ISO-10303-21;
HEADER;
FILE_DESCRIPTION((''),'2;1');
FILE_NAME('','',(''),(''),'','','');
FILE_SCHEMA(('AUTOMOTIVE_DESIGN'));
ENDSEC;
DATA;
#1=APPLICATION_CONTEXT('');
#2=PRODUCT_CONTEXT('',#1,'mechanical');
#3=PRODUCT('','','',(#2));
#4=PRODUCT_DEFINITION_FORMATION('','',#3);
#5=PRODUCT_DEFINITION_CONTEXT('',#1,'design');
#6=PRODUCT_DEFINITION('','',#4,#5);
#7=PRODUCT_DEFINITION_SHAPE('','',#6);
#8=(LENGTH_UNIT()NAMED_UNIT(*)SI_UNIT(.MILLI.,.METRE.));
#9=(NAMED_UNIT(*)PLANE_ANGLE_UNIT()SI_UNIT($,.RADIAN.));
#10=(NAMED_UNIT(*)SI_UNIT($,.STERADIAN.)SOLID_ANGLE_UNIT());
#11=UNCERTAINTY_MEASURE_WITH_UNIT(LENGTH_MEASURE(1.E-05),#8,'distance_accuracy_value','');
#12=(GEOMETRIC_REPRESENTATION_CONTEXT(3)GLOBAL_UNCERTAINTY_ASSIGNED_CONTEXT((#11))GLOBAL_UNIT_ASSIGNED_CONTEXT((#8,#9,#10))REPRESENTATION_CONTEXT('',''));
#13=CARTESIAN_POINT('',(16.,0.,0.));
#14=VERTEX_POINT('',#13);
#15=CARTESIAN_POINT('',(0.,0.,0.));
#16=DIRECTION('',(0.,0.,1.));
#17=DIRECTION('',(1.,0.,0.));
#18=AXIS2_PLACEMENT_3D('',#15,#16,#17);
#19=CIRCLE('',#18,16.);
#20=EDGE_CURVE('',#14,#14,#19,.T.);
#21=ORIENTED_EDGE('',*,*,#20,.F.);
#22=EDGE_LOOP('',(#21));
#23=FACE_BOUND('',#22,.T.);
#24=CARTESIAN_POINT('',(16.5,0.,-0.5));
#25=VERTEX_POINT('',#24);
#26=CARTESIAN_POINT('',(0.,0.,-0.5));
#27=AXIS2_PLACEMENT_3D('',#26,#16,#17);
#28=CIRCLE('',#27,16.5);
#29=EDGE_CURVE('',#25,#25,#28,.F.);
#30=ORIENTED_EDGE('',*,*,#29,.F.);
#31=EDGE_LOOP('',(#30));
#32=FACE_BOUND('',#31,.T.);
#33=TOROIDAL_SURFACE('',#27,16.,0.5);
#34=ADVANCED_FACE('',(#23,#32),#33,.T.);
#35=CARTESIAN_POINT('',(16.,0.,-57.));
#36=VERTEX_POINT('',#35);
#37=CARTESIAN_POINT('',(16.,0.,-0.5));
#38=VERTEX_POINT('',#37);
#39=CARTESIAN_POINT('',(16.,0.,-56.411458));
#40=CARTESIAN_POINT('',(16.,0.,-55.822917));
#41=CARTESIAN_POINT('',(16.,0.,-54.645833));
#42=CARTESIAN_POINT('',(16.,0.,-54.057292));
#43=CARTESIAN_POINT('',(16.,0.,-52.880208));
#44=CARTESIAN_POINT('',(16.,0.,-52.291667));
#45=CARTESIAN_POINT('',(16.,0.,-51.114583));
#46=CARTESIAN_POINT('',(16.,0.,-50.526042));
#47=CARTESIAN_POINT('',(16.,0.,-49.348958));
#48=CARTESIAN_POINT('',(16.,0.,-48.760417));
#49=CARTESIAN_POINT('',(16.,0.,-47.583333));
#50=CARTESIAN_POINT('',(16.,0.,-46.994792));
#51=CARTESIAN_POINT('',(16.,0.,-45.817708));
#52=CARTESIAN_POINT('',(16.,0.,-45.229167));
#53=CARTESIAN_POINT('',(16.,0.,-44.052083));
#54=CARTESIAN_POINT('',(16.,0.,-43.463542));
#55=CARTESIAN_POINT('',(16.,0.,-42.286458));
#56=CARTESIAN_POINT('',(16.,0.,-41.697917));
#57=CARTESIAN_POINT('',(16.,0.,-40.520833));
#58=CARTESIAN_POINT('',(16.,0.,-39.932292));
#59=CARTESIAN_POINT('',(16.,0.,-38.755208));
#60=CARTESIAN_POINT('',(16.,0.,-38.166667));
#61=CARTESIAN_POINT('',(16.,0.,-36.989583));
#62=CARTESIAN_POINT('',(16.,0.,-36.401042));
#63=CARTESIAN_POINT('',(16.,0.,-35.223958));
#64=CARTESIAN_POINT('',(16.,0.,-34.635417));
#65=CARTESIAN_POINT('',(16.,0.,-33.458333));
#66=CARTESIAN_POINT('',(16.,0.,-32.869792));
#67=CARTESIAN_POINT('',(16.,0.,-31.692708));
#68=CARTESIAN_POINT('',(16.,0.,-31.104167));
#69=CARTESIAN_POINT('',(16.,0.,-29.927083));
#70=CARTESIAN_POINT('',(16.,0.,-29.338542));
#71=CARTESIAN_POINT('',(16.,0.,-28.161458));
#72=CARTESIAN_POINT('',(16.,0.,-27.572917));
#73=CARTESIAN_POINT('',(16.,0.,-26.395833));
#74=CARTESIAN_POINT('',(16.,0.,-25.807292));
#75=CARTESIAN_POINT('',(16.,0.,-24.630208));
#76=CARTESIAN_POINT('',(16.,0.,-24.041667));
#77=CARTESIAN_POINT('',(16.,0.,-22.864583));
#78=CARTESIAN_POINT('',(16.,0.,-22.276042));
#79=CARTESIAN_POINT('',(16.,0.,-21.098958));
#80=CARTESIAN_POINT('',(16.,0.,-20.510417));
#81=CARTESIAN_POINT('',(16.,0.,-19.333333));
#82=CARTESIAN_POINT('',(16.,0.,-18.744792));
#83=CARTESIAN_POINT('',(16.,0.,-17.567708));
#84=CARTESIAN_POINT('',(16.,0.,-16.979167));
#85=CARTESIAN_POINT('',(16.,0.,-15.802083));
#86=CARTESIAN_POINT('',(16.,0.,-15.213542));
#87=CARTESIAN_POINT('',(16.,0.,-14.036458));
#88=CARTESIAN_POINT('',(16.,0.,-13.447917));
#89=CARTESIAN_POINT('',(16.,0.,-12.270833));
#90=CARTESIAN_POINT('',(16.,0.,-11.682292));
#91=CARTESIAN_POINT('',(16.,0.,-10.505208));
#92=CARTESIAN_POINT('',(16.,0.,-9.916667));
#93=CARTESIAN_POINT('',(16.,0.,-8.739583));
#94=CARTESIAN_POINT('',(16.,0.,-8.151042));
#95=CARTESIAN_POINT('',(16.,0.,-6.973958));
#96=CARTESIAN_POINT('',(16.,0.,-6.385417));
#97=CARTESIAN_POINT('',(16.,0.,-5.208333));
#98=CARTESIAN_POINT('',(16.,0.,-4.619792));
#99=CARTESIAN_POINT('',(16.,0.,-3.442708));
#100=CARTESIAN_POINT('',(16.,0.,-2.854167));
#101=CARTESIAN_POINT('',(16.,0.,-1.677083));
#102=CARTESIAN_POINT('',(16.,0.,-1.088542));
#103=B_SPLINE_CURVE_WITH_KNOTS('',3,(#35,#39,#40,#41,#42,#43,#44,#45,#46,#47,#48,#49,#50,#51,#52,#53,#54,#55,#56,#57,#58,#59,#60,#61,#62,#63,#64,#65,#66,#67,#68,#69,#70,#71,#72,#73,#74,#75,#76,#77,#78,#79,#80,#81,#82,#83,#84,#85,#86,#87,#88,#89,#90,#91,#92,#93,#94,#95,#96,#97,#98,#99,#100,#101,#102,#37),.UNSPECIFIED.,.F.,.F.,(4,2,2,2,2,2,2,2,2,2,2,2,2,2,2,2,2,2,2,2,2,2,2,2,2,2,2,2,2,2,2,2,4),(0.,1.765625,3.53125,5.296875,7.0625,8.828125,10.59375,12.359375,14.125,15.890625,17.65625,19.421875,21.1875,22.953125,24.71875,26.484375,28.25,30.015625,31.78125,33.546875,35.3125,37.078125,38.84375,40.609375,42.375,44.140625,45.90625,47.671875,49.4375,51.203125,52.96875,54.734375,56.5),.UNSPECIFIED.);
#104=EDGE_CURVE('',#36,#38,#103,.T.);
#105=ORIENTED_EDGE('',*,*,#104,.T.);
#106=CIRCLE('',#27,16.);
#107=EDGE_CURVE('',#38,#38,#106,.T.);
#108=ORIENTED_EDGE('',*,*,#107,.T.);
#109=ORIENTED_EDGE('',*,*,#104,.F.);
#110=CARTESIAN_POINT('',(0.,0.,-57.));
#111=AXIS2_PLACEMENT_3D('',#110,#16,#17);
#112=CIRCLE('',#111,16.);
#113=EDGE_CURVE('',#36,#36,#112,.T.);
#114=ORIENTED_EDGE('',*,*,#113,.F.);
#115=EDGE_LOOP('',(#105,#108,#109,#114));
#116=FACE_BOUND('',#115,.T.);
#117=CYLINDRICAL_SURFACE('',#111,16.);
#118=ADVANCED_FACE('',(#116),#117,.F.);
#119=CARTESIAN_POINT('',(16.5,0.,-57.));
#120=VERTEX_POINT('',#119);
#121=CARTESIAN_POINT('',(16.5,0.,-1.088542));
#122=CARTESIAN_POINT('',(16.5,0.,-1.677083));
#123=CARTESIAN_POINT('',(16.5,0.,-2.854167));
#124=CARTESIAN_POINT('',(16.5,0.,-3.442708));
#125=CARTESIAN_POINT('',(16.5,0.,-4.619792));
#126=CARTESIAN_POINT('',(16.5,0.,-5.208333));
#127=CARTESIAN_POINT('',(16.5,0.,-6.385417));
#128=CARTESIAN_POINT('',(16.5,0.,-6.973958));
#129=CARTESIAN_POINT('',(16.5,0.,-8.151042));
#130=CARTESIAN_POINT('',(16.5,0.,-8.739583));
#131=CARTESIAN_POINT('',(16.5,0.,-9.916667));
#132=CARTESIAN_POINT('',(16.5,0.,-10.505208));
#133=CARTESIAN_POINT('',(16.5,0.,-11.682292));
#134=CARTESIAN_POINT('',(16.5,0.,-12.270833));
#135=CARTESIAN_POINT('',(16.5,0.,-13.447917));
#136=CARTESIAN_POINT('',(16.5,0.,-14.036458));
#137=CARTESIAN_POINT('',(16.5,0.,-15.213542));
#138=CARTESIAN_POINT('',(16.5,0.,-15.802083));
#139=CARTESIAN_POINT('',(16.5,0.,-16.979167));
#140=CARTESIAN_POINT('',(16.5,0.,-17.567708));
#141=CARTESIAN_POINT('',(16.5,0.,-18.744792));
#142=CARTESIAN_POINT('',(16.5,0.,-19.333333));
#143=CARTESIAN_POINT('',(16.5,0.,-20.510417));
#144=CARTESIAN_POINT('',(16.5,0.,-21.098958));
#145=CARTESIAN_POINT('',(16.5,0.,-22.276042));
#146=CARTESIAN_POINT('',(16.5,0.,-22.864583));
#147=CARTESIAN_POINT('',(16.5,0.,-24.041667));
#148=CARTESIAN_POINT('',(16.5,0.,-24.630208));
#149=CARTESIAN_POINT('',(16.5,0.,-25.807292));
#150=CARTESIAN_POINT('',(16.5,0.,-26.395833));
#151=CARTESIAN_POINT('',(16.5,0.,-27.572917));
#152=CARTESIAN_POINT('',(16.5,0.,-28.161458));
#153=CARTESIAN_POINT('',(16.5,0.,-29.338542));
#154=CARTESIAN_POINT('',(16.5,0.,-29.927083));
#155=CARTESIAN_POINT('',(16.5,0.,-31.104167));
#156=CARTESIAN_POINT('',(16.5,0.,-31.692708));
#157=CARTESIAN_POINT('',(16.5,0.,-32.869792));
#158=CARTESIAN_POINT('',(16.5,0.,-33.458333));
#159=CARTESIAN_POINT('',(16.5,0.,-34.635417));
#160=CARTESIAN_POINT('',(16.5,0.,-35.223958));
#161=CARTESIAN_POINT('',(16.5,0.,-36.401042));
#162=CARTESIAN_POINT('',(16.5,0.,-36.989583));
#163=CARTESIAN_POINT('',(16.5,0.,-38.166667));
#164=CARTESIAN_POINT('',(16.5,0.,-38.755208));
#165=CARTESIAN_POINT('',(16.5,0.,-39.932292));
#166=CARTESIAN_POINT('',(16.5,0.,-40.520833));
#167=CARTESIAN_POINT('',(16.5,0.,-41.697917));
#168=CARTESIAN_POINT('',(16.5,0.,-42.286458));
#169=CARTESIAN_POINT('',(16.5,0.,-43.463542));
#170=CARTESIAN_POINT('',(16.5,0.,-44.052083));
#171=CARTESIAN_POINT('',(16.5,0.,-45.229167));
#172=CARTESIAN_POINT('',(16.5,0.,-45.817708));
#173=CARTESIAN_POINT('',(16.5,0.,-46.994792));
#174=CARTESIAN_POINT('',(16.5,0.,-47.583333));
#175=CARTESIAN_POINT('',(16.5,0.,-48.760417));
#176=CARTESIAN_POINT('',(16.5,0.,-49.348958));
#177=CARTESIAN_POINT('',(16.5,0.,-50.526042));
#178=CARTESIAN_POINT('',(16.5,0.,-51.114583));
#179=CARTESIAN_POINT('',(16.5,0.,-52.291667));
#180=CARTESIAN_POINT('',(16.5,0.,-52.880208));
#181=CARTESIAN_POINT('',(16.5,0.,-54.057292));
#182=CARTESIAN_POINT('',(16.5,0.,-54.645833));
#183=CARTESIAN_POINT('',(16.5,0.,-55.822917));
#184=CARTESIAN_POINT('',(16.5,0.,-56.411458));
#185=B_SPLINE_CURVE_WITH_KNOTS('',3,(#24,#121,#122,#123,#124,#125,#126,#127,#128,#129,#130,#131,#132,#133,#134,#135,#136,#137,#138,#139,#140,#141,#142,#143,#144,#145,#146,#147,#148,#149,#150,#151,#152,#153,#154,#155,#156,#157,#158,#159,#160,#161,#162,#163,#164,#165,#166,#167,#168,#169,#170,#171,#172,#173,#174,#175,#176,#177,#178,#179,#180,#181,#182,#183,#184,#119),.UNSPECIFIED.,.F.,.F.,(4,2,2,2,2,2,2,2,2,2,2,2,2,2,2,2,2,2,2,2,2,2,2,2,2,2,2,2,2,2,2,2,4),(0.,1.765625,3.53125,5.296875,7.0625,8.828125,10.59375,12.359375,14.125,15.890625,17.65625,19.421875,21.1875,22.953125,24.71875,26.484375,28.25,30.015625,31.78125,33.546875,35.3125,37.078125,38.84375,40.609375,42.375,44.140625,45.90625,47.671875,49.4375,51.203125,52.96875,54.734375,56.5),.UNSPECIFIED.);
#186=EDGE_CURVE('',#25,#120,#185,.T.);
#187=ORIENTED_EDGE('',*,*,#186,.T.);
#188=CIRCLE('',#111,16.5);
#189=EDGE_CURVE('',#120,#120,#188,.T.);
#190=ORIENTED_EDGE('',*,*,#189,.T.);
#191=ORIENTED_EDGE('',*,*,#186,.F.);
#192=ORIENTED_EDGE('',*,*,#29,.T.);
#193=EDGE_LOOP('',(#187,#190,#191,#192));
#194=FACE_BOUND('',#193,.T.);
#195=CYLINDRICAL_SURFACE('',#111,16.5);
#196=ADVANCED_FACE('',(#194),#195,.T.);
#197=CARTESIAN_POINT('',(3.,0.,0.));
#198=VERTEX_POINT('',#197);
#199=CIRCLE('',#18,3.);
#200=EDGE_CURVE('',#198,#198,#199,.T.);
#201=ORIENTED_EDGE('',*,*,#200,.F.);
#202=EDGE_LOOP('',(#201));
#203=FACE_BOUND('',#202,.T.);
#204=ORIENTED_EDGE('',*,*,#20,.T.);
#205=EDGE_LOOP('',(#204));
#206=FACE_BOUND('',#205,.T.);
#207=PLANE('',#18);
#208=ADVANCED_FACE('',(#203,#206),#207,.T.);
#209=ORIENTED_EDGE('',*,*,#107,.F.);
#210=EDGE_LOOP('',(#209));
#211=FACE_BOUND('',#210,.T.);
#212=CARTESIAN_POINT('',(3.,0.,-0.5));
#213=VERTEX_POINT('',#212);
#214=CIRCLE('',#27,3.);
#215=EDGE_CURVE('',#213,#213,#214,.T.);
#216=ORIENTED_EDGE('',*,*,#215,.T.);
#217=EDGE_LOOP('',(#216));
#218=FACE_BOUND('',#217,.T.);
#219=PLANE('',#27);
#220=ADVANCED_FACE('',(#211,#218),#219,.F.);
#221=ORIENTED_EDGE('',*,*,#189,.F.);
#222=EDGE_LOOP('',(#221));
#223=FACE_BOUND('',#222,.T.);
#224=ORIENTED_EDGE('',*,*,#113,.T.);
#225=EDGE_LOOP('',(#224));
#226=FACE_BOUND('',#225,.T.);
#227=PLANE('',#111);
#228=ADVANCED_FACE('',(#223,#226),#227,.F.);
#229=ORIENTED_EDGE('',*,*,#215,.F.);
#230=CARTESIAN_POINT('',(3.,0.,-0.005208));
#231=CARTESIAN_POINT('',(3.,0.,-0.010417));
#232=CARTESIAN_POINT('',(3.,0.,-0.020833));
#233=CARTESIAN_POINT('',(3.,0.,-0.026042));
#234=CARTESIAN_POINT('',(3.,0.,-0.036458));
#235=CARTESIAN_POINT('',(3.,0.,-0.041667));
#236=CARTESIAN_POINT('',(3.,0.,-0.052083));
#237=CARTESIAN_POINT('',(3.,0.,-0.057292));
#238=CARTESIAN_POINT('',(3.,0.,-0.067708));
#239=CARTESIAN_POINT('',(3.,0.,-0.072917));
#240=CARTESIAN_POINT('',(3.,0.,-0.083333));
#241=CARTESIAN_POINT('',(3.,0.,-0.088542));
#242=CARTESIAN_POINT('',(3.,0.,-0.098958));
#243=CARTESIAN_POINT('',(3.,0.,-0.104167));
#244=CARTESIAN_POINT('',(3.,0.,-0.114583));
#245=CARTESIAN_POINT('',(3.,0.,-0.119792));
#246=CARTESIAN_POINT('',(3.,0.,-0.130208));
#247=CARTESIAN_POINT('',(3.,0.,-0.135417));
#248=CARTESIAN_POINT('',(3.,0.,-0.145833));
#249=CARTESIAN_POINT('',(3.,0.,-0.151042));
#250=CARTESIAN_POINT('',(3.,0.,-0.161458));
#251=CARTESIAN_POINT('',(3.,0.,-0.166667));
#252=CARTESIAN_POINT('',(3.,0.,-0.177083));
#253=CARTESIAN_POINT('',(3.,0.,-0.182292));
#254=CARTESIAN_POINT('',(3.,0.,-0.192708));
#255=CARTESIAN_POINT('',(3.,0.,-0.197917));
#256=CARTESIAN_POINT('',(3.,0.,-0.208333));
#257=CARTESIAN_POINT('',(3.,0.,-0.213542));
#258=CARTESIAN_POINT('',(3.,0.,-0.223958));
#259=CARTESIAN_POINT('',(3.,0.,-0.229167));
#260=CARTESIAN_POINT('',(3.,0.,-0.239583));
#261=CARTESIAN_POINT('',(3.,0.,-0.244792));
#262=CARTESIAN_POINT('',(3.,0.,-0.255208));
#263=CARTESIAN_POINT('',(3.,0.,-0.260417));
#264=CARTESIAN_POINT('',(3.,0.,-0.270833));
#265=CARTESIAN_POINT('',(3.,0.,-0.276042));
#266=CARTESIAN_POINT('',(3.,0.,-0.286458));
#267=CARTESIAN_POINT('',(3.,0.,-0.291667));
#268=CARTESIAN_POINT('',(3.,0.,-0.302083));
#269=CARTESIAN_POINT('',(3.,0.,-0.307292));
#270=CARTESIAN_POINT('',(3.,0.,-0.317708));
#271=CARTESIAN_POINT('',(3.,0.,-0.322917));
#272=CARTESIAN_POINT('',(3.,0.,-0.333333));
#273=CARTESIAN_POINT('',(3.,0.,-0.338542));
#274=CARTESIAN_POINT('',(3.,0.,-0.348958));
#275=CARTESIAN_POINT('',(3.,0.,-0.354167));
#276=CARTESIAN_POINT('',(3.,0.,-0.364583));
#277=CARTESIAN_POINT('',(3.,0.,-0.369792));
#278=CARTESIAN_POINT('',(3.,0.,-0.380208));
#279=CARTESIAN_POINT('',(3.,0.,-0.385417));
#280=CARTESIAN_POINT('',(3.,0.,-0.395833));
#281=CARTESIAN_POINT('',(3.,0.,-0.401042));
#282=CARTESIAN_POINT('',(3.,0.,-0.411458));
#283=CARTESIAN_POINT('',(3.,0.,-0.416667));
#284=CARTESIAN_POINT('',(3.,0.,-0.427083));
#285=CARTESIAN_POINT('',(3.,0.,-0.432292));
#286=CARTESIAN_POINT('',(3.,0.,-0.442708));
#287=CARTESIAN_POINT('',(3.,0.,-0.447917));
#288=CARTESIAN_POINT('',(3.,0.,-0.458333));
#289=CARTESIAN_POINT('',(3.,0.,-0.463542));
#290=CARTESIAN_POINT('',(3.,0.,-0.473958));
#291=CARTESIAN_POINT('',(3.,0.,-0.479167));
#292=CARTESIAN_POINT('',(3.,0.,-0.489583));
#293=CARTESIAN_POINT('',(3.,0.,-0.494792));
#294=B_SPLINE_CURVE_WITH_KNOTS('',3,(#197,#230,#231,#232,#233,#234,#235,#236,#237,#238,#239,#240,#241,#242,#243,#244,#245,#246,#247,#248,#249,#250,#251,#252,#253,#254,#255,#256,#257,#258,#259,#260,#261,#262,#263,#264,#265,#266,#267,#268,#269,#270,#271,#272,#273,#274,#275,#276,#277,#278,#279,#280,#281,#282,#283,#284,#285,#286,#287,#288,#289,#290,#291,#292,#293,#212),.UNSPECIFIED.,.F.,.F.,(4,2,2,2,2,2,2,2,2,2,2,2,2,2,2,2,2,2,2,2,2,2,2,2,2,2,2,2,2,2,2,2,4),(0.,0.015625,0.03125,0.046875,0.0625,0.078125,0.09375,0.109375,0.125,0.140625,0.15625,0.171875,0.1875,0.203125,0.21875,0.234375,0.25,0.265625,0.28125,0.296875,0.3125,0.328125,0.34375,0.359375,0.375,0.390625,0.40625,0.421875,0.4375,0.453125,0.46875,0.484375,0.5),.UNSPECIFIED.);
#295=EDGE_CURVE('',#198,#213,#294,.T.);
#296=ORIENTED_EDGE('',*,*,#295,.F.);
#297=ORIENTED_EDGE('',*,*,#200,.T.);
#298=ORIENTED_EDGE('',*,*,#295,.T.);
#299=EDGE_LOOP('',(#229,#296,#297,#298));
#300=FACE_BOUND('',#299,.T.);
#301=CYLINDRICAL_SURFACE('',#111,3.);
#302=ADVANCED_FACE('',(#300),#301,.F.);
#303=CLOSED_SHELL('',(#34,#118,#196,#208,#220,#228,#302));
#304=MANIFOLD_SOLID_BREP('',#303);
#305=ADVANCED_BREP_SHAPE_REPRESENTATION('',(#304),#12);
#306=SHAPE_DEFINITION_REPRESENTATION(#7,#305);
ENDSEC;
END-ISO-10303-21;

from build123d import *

# Parameters (mm, degrees)
SKETCH1_R           = 16.5
BOSS_EXTRUDE1_DEPTH = 57
SHELL1_T            = -0.5
SKETCH2_R           = 3
CUT_EXTRUDE1_DEPTH  = 62.591395503
FILLET1_R           = 0.5


with BuildPart() as part:
    # Sketch1 → Boss-Extrude1 (new body)
    with BuildSketch(Plane.XY):
        Circle(SKETCH1_R)
    extrude(amount=-BOSS_EXTRUDE1_DEPTH)

    # Shell1
    shell1_openings = [part.faces().sort_by_distance(p)[0] for p in [
        (0, 0, -57),
    ]]
    offset(amount=SHELL1_T, openings=shell1_openings, kind=Kind.INTERSECTION)

    # Sketch2 → Cut-Extrude1 (cut, through all)
    with BuildSketch(Plane.XY):
        Circle(SKETCH2_R)
    extrude(amount=-CUT_EXTRUDE1_DEPTH, mode=Mode.SUBTRACT)

    # Fillet1
    fillet1_edges = [part.edges().sort_by_distance(p)[0] for p in [
        (-16.5, 0, 0),
    ]]
    fillet(fillet1_edges, radius=FILLET1_R)


solid = part.part
